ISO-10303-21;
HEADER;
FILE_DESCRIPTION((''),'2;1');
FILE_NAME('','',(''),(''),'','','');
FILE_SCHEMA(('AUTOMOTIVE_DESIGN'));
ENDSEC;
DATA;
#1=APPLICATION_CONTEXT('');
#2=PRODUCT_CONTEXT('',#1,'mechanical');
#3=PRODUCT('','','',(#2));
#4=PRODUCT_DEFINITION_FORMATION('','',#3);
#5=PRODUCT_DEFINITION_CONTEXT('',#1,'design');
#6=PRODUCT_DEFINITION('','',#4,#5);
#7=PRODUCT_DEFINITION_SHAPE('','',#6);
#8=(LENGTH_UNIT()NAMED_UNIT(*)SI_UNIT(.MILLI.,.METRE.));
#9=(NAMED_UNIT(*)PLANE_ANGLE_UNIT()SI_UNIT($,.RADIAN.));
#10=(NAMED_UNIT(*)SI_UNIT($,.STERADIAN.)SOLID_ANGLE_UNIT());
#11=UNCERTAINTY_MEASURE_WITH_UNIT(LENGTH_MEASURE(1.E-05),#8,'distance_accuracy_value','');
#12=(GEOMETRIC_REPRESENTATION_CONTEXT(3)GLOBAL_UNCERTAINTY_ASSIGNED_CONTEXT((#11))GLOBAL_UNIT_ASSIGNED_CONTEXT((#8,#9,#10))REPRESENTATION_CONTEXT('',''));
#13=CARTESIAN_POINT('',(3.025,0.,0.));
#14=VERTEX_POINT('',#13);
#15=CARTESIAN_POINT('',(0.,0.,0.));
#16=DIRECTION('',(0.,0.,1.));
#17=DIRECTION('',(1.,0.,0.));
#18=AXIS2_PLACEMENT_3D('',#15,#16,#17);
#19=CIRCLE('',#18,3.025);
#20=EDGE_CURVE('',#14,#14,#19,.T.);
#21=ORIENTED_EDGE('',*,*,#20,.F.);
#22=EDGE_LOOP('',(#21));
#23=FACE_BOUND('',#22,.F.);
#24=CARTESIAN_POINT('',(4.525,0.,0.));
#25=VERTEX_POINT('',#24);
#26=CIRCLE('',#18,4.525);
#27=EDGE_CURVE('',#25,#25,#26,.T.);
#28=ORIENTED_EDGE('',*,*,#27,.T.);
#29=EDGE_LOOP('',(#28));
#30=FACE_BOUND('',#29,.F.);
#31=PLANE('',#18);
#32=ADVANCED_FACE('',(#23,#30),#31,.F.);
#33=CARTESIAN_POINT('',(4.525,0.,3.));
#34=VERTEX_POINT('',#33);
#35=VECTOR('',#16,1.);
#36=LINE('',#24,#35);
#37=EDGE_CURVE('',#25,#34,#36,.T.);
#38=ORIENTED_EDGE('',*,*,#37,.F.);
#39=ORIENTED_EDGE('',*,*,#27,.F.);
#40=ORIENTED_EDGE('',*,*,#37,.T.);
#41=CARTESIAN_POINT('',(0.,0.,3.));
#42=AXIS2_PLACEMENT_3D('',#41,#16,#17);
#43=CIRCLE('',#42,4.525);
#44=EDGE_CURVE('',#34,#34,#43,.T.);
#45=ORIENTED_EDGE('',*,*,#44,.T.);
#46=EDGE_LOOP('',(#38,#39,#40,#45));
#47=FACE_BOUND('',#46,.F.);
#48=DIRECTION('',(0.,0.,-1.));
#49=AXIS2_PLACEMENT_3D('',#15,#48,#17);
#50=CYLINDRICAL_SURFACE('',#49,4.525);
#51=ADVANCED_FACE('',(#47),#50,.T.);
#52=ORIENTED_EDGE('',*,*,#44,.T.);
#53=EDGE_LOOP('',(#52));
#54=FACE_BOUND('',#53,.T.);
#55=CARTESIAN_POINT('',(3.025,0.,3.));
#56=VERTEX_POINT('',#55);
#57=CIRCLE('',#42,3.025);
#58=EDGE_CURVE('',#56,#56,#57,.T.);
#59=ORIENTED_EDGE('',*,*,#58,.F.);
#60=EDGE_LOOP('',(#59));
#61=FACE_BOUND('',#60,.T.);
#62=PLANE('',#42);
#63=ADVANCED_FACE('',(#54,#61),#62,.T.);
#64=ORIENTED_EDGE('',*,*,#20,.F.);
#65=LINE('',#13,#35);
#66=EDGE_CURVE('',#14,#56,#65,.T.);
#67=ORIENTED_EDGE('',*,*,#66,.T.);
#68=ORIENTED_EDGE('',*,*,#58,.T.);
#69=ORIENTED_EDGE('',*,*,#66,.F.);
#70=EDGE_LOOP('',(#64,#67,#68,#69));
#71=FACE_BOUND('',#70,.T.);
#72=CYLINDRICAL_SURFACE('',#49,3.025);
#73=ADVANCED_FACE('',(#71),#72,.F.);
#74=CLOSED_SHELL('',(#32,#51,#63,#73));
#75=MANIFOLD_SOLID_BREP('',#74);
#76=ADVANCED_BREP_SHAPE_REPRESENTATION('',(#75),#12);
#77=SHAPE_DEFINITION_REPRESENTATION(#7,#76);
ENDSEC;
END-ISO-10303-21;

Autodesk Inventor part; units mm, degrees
ref_plane "YZ Plane" through (0, 0, 0) normal (1, 0, 0) x (0, 1, 0)
ref_plane "XZ Plane" through (0, 0, 0) normal (0, 1, 0) x (-1, 0, 0)
ref_plane "XY Plane" through (0, 0, 0) normal (0, 0, 1) x (1, 0, 0)
sketch "スケッチ1" plane through (0, 0, 0) normal (0, 0, 1) x (1, 0, 0)
  circle A0 centre (0, 0) radius 3.025
  circle A1 centre (0, 0) radius 4.525
  dimension "d0" = 6.05
  dimension "d1" = 1.5
extrude "押し出し1" add sketch "スケッチ1" along normal blind 3
properties part number "スペーサー中空M6L3アルミ自作" material "アルミニウム 2014-T4"
